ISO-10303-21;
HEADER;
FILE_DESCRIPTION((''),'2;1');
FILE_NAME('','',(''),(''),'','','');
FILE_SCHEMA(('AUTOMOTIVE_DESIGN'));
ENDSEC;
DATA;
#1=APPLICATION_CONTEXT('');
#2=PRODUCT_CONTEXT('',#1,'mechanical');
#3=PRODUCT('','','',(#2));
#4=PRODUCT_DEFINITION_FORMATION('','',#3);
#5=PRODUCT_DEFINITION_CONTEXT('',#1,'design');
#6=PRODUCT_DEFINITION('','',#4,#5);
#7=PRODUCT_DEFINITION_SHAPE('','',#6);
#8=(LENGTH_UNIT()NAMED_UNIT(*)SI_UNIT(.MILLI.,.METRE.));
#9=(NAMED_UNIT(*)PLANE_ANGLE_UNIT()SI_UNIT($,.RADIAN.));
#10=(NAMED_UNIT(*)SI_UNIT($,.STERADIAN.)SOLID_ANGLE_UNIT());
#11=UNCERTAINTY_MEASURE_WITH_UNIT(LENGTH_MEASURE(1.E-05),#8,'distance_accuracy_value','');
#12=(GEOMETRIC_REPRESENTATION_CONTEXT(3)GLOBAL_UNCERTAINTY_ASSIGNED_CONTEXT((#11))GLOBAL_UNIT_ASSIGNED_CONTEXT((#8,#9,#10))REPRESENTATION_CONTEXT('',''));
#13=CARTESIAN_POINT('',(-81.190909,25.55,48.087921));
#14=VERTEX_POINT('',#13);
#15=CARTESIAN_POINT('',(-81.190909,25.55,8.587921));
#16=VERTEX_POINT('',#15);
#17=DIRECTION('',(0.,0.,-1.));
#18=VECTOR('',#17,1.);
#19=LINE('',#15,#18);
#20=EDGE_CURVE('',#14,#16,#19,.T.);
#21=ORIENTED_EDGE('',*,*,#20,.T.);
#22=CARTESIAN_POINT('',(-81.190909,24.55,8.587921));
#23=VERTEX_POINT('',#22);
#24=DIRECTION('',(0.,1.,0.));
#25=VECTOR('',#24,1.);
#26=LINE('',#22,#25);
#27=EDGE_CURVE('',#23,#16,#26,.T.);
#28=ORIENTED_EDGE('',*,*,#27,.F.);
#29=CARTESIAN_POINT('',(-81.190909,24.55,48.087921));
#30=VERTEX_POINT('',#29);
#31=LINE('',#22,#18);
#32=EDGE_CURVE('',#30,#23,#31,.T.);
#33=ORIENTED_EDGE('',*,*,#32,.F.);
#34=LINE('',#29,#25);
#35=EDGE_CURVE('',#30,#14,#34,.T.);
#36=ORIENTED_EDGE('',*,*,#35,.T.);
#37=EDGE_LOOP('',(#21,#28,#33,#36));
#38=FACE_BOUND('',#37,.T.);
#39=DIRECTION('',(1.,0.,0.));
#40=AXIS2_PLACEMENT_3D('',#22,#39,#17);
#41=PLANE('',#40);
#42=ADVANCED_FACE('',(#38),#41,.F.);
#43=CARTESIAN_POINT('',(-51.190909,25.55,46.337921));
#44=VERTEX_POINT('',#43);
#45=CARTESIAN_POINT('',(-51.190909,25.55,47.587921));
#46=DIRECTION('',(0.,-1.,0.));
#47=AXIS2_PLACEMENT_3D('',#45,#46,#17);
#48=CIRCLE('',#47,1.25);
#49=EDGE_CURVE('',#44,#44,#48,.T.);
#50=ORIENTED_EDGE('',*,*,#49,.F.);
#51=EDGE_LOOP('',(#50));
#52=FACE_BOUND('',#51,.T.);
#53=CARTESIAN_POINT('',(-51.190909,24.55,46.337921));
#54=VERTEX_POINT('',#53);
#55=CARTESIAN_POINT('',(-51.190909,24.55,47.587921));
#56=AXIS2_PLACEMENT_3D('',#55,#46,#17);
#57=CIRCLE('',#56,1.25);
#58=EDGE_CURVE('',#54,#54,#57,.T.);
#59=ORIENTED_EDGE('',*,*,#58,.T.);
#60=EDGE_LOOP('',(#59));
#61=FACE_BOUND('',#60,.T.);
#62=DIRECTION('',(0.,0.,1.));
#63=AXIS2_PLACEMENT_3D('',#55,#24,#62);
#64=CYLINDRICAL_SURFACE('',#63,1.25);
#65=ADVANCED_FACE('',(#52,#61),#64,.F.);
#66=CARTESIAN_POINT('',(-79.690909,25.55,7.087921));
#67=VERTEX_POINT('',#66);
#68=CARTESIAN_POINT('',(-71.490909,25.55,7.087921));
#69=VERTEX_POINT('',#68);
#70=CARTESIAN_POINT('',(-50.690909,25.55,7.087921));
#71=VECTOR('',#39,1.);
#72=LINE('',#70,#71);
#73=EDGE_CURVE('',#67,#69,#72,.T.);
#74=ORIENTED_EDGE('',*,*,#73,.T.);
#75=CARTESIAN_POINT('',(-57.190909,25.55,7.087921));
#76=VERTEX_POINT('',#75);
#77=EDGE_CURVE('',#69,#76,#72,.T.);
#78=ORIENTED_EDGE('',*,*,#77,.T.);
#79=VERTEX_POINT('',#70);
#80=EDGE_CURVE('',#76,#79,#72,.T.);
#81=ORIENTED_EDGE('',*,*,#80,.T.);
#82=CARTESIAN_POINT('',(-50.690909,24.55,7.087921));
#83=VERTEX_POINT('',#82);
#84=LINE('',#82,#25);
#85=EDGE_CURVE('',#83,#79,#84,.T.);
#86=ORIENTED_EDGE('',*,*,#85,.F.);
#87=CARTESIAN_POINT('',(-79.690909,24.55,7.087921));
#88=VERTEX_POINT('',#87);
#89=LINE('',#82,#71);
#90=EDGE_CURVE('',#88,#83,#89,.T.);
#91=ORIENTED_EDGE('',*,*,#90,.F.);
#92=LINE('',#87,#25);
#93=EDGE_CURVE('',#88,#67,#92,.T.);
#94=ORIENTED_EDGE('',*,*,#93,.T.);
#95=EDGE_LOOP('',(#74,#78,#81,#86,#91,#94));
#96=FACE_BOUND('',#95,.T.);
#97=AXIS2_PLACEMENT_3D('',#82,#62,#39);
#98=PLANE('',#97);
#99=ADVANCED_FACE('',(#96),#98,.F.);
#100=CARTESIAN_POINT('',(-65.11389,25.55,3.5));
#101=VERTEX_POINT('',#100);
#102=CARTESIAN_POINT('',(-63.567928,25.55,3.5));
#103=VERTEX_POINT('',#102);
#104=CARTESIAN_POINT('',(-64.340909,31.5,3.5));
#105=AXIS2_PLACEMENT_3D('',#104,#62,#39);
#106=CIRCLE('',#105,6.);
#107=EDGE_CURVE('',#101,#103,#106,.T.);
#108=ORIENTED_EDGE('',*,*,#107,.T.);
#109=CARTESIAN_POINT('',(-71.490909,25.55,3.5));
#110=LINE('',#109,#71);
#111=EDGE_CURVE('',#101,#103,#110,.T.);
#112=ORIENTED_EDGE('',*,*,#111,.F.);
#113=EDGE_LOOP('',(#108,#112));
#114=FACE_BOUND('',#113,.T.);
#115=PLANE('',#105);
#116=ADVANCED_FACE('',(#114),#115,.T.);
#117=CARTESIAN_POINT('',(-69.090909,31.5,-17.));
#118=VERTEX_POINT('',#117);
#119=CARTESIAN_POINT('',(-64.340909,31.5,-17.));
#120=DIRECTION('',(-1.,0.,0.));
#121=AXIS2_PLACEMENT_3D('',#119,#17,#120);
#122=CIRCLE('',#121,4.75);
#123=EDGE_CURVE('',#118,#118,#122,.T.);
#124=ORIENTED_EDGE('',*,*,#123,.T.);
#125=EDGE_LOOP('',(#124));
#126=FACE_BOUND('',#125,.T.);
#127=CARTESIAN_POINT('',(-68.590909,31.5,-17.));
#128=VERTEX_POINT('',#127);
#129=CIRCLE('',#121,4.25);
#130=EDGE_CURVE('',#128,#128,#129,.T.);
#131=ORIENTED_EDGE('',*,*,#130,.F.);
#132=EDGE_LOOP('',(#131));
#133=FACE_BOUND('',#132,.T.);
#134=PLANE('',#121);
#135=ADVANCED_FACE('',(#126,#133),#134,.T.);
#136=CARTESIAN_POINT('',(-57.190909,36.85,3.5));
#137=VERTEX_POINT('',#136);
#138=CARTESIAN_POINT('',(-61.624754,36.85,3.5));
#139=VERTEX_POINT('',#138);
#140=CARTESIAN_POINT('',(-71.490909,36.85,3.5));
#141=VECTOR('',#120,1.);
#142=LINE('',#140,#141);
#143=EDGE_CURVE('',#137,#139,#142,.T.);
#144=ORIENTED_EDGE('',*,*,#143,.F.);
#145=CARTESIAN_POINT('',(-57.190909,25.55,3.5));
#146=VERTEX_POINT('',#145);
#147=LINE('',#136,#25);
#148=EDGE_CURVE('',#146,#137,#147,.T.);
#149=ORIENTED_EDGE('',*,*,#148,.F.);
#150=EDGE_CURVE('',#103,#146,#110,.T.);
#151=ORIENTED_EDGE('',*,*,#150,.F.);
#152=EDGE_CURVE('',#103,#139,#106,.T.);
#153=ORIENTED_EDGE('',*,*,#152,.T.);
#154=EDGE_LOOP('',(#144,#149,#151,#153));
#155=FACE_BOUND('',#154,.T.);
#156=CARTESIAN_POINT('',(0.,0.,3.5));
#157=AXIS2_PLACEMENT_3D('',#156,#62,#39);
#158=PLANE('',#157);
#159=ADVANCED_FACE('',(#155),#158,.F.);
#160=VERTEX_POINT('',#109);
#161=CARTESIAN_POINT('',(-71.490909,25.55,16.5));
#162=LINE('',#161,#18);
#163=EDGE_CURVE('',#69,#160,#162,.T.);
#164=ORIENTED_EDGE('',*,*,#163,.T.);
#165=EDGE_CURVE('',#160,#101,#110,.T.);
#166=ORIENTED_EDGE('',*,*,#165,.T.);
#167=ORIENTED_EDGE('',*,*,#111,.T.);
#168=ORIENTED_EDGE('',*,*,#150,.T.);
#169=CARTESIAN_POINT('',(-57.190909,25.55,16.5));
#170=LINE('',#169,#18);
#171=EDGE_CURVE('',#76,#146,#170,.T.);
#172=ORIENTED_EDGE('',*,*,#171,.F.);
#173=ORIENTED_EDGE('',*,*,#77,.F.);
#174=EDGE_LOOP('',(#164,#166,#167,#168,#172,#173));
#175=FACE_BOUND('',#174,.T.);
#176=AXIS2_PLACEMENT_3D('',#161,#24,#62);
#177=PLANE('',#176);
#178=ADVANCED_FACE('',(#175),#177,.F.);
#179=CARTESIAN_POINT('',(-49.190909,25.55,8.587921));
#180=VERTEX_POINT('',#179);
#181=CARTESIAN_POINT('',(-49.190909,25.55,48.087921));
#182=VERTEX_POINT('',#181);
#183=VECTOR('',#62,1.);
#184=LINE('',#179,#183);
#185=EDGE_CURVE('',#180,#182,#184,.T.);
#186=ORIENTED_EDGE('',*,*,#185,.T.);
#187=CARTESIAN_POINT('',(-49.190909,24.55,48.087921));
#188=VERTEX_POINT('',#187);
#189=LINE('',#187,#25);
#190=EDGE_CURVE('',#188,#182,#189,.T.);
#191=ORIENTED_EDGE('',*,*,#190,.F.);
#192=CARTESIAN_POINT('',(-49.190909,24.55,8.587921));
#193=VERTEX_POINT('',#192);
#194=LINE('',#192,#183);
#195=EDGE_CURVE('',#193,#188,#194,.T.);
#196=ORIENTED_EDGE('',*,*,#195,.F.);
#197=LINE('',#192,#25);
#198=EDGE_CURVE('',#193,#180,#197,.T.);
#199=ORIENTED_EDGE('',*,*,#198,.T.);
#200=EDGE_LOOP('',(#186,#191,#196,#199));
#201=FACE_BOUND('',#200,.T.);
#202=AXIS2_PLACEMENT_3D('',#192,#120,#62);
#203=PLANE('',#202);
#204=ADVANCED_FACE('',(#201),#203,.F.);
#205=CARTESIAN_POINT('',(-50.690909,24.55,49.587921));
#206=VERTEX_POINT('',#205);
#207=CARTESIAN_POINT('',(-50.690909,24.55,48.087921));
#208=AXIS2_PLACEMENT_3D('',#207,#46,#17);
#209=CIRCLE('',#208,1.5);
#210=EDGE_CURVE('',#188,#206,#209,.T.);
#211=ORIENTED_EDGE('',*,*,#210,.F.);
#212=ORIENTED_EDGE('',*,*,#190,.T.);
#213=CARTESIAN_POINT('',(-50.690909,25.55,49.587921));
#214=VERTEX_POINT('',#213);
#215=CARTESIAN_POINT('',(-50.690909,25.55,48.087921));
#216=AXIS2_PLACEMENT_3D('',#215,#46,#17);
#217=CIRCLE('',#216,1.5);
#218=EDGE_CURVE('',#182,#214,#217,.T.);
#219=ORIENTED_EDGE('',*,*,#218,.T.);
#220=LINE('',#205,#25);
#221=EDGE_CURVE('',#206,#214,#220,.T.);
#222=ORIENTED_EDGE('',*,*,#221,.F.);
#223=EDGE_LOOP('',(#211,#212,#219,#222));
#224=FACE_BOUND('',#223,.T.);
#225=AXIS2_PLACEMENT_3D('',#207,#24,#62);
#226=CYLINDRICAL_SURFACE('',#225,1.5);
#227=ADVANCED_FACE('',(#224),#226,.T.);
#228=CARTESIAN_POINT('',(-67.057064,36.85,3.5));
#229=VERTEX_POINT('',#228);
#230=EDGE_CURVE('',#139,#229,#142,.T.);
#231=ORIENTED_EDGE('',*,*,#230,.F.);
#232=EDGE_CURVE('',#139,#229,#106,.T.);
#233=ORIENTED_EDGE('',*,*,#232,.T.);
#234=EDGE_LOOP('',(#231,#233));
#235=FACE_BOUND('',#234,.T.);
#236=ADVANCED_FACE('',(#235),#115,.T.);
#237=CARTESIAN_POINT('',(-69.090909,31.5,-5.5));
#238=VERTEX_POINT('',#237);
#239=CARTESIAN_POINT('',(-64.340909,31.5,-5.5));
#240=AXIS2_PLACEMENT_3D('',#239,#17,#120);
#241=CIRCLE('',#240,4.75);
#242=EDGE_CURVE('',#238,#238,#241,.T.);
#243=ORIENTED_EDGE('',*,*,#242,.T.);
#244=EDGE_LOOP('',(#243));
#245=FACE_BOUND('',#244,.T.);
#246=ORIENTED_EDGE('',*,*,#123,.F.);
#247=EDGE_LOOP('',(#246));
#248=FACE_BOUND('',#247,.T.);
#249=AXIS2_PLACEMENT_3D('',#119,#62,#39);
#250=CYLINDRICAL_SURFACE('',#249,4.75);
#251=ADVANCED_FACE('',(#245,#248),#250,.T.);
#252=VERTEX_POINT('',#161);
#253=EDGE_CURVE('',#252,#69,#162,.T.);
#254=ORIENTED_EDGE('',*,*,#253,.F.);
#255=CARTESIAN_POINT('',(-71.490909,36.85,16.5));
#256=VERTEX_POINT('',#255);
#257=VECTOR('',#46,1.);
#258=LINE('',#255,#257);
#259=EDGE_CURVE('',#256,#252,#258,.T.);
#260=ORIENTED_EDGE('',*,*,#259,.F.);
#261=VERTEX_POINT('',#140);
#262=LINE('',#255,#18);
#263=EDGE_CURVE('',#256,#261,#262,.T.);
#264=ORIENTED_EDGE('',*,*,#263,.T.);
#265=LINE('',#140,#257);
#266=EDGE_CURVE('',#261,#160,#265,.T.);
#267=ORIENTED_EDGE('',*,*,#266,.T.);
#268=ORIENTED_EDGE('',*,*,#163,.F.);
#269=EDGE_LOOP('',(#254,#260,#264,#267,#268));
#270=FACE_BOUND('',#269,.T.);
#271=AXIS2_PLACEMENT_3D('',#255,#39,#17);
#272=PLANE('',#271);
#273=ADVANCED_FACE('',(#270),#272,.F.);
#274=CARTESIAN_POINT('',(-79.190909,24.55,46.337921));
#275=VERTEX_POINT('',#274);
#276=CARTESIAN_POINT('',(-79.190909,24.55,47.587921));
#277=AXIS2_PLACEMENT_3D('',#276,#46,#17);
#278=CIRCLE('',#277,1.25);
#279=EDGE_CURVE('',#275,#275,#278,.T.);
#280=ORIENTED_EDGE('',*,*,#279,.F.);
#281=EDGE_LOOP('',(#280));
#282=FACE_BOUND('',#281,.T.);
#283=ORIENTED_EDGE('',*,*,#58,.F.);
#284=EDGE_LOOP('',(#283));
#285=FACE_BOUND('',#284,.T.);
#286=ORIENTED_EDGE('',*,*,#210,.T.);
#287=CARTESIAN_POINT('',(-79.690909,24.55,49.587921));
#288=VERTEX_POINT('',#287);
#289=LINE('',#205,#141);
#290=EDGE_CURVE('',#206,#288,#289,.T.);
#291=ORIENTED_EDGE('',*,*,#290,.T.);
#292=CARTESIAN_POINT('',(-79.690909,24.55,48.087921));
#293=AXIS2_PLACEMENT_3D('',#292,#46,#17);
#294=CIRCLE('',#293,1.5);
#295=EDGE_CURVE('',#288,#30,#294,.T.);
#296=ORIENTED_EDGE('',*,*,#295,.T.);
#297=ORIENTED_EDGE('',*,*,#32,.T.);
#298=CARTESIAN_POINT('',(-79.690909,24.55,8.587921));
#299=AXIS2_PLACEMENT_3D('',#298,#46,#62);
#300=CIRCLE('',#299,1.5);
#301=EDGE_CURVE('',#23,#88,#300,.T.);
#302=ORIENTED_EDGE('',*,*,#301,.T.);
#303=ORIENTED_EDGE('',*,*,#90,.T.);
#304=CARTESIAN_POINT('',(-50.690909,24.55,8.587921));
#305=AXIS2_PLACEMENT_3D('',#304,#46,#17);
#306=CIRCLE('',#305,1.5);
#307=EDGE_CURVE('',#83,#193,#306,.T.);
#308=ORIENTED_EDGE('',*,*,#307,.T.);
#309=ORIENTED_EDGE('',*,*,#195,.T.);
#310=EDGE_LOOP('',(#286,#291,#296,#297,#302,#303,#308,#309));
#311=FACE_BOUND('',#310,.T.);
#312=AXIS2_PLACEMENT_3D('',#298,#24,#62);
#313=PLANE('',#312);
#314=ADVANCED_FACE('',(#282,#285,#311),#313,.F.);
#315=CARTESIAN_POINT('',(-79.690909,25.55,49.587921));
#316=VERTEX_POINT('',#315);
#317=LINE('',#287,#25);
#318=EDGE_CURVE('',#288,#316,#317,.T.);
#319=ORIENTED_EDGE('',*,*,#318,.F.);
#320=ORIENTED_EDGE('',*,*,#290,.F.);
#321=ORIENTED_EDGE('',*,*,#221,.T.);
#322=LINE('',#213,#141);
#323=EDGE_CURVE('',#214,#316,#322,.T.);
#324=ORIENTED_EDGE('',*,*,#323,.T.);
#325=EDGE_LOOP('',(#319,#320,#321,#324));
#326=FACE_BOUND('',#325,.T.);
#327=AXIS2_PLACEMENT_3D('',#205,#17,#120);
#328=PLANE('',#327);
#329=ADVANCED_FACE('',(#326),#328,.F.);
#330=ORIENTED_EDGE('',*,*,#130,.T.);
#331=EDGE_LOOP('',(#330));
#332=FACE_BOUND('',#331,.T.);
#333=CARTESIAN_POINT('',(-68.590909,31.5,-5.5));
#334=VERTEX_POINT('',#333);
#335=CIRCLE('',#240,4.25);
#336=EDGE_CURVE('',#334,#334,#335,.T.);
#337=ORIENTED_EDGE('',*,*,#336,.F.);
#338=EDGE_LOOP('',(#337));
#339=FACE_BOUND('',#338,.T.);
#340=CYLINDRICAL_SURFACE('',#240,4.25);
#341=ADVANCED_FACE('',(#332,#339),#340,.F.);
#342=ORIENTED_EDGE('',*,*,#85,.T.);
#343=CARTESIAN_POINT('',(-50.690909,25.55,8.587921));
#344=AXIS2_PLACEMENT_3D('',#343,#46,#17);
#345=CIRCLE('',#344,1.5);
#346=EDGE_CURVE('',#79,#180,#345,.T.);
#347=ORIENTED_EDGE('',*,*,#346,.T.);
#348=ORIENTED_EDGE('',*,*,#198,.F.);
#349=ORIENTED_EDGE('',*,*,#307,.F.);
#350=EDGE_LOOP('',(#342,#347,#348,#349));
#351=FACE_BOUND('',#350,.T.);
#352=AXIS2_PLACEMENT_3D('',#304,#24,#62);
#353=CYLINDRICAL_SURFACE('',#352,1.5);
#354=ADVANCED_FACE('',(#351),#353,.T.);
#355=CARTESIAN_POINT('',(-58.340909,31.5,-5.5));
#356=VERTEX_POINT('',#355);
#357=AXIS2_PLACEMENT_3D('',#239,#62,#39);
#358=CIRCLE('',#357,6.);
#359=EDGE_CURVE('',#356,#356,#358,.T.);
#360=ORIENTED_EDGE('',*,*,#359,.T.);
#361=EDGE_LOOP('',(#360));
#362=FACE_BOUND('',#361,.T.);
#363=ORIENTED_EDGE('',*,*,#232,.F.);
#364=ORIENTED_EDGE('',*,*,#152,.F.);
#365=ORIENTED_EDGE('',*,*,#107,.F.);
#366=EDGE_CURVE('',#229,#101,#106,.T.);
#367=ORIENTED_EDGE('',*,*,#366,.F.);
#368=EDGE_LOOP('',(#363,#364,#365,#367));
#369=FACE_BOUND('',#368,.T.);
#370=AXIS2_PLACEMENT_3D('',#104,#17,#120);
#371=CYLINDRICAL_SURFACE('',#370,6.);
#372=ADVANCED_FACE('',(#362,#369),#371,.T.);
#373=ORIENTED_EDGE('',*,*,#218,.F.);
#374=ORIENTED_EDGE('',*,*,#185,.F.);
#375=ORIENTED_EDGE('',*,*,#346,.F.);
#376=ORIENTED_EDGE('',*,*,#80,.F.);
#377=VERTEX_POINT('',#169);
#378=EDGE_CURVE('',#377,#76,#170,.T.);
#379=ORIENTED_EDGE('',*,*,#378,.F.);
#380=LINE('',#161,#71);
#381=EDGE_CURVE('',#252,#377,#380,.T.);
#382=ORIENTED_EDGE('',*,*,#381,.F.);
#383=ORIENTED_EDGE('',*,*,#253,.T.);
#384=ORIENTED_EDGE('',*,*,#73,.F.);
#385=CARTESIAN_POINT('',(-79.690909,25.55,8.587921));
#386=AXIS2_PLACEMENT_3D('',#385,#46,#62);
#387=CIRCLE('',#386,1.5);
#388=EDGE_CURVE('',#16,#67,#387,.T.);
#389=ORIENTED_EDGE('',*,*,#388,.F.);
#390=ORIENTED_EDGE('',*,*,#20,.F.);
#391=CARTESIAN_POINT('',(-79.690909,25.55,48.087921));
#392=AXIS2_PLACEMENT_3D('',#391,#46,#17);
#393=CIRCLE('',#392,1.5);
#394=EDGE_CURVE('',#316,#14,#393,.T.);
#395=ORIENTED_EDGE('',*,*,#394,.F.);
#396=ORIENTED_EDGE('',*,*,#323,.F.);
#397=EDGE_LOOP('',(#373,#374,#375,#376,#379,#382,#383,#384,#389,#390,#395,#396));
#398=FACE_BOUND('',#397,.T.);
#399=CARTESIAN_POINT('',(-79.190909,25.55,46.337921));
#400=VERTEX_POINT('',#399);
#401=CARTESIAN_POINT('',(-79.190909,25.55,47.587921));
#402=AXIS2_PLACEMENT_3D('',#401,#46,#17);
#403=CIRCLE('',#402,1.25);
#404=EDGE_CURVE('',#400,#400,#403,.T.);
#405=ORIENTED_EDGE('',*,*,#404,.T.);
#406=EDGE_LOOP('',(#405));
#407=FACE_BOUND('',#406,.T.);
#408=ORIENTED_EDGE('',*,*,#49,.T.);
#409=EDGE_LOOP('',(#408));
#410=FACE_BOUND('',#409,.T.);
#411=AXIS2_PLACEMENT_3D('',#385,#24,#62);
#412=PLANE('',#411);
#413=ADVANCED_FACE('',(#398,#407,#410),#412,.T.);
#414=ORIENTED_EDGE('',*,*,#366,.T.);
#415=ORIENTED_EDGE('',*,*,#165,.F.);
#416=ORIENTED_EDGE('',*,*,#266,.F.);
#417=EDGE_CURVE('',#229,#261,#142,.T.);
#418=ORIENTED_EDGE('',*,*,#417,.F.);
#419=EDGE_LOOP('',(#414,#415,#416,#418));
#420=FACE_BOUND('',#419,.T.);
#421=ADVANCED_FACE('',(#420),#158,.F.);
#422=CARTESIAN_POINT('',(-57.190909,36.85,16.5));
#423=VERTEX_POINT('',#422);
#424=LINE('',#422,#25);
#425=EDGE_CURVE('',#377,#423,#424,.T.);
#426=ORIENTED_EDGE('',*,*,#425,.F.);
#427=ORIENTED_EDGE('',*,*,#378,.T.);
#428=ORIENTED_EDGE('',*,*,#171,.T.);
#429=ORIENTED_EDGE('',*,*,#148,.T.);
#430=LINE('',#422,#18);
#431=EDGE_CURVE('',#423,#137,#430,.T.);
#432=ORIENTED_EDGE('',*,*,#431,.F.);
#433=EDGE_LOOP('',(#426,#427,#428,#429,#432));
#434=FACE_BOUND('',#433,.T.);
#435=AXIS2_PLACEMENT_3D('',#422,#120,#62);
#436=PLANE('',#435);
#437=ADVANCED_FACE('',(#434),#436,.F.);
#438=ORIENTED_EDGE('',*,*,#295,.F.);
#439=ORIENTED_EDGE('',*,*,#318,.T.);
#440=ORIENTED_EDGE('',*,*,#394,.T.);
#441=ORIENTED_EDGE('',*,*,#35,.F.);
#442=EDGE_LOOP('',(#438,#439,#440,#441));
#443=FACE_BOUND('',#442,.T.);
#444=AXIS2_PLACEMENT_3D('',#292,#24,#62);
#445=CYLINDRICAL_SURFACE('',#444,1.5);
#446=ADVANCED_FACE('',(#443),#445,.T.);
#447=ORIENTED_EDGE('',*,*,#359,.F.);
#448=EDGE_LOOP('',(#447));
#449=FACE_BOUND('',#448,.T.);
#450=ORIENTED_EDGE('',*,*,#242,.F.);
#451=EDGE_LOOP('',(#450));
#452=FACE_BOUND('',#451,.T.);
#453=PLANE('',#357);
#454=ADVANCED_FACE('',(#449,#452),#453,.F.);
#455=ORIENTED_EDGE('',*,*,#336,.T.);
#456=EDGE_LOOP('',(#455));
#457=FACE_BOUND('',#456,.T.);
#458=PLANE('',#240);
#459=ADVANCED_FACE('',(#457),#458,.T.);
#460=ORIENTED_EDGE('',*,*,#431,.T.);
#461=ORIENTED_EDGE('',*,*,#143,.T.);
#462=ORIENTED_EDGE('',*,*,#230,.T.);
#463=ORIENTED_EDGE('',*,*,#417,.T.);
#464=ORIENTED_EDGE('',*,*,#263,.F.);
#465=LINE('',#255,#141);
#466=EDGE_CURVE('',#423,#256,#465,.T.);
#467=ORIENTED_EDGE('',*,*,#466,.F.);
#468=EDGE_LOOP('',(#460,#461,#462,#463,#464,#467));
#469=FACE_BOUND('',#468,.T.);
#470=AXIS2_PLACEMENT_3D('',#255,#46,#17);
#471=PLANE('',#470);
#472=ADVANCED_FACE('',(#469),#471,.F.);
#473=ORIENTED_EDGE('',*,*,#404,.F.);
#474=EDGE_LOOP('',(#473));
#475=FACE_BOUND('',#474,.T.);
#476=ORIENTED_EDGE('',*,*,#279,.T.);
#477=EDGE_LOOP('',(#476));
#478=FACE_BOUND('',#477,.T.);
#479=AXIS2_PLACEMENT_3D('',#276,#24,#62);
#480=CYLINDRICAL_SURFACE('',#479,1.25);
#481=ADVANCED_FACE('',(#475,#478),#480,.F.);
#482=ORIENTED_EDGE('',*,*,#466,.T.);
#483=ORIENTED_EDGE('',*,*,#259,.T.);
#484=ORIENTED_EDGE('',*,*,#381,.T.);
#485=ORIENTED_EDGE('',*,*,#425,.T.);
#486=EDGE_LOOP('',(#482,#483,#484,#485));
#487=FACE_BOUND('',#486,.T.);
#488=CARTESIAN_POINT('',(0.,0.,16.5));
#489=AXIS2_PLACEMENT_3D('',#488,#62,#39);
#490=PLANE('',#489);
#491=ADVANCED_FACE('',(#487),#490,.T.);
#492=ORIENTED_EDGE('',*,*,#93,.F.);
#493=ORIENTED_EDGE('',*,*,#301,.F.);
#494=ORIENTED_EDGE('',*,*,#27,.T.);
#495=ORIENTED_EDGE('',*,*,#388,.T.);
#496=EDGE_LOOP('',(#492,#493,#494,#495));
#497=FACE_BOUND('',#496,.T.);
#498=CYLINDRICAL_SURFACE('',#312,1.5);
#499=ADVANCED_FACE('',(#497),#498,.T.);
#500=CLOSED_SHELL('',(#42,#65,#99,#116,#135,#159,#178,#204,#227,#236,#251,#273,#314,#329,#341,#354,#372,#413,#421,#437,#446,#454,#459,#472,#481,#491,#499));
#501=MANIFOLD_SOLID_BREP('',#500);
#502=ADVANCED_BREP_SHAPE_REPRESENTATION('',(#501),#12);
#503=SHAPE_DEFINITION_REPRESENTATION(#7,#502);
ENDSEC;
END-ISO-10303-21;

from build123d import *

# Parameters (mm, degrees)
EXTRUDE_1_DEPTH      = 3.5
EXTRUDE_1_DEPTH_BACK = 5.5
SKETCH_1_R           = 6
SKETCH_2_W           = 14.3
SKETCH_2_H           = 11.3
EXTRUDE_2_DEPTH      = 13
SKETCH_3_R           = 1.25
EXTRUDE_3_DEPTH      = 1
SKETCH_4_R           = 4.75
EXTRUDE_4_DEPTH      = 11.5
SKETCH_5_R           = 4.25
CUT_EXTRUDE_1_DEPTH  = 11.5


with BuildPart() as part:
    # 草圖1 → 填料-伸長1 (new, two sides: drawn at the far end of the back side and taken through both)
    with BuildSketch(Plane.XY.offset(-EXTRUDE_1_DEPTH_BACK)):
        with Locations((-64.340909091, 31.5)):
            Circle(SKETCH_1_R)
    extrude(amount=EXTRUDE_1_DEPTH + EXTRUDE_1_DEPTH_BACK)

    # 草圖2 → 填料-伸長2 (add)
    with BuildSketch(Plane.XY.offset(3.5)):
        with Locations((-64.340909091, 31.2)):
            Rectangle(SKETCH_2_W, SKETCH_2_H)
    extrude(amount=EXTRUDE_2_DEPTH)

    # 草圖3 → 填料-伸長3 (add)
    with BuildSketch(Plane.XZ.offset(-25.55)):
        with BuildLine():
            Line((-50.690909091, 7.087920564), (-79.690909091, 7.087920564))
            ThreePointArc((-79.690909091, 7.087920564), (-80.751569263, 7.527260393), (-81.190909091, 8.587920564))
            Line((-81.190909091, 8.587920564), (-81.190909091, 48.087920564))
            ThreePointArc((-81.190909091, 48.087920564), (-80.751569263, 49.148580736), (-79.690909091, 49.587920564))
            Line((-79.690909091, 49.587920564), (-50.690909091, 49.587920564))
            ThreePointArc((-50.690909091, 49.587920564), (-49.630248919, 49.148580736), (-49.190909091, 48.087920564))
            Line((-49.190909091, 48.087920564), (-49.190909091, 8.587920564))
            ThreePointArc((-49.190909091, 8.587920564), (-49.630248919, 7.527260393), (-50.690909091, 7.087920564))
        make_face()
        with Locations(Location((-51.190909091, 47.587920564, 0), (0, 0, 270))):
            Circle(SKETCH_3_R, mode=Mode.SUBTRACT)
        with Locations(Location((-79.190909091, 47.587920564, 0), (0, 0, 270))):
            Circle(SKETCH_3_R, mode=Mode.SUBTRACT)
    extrude(amount=EXTRUDE_3_DEPTH)

    # 草圖4 → 填料-伸長4 (add)
    with BuildSketch(Plane(origin=(0, 0, -5.5), x_dir=(-1, 0, 0), z_dir=(0, 0, -1))):
        with Locations((64.340909091, 31.5)):
            Circle(SKETCH_4_R)
    extrude(amount=EXTRUDE_4_DEPTH)

    # 草圖5 → 除料-伸長1 (cut)
    with BuildSketch(Plane(origin=(0, 0, -17), x_dir=(-1, 0, 0), z_dir=(0, 0, -1))):
        with Locations((64.340909091, 31.5)):
            Circle(SKETCH_5_R)
    extrude(amount=-CUT_EXTRUDE_1_DEPTH, mode=Mode.SUBTRACT)


solid = part.part
